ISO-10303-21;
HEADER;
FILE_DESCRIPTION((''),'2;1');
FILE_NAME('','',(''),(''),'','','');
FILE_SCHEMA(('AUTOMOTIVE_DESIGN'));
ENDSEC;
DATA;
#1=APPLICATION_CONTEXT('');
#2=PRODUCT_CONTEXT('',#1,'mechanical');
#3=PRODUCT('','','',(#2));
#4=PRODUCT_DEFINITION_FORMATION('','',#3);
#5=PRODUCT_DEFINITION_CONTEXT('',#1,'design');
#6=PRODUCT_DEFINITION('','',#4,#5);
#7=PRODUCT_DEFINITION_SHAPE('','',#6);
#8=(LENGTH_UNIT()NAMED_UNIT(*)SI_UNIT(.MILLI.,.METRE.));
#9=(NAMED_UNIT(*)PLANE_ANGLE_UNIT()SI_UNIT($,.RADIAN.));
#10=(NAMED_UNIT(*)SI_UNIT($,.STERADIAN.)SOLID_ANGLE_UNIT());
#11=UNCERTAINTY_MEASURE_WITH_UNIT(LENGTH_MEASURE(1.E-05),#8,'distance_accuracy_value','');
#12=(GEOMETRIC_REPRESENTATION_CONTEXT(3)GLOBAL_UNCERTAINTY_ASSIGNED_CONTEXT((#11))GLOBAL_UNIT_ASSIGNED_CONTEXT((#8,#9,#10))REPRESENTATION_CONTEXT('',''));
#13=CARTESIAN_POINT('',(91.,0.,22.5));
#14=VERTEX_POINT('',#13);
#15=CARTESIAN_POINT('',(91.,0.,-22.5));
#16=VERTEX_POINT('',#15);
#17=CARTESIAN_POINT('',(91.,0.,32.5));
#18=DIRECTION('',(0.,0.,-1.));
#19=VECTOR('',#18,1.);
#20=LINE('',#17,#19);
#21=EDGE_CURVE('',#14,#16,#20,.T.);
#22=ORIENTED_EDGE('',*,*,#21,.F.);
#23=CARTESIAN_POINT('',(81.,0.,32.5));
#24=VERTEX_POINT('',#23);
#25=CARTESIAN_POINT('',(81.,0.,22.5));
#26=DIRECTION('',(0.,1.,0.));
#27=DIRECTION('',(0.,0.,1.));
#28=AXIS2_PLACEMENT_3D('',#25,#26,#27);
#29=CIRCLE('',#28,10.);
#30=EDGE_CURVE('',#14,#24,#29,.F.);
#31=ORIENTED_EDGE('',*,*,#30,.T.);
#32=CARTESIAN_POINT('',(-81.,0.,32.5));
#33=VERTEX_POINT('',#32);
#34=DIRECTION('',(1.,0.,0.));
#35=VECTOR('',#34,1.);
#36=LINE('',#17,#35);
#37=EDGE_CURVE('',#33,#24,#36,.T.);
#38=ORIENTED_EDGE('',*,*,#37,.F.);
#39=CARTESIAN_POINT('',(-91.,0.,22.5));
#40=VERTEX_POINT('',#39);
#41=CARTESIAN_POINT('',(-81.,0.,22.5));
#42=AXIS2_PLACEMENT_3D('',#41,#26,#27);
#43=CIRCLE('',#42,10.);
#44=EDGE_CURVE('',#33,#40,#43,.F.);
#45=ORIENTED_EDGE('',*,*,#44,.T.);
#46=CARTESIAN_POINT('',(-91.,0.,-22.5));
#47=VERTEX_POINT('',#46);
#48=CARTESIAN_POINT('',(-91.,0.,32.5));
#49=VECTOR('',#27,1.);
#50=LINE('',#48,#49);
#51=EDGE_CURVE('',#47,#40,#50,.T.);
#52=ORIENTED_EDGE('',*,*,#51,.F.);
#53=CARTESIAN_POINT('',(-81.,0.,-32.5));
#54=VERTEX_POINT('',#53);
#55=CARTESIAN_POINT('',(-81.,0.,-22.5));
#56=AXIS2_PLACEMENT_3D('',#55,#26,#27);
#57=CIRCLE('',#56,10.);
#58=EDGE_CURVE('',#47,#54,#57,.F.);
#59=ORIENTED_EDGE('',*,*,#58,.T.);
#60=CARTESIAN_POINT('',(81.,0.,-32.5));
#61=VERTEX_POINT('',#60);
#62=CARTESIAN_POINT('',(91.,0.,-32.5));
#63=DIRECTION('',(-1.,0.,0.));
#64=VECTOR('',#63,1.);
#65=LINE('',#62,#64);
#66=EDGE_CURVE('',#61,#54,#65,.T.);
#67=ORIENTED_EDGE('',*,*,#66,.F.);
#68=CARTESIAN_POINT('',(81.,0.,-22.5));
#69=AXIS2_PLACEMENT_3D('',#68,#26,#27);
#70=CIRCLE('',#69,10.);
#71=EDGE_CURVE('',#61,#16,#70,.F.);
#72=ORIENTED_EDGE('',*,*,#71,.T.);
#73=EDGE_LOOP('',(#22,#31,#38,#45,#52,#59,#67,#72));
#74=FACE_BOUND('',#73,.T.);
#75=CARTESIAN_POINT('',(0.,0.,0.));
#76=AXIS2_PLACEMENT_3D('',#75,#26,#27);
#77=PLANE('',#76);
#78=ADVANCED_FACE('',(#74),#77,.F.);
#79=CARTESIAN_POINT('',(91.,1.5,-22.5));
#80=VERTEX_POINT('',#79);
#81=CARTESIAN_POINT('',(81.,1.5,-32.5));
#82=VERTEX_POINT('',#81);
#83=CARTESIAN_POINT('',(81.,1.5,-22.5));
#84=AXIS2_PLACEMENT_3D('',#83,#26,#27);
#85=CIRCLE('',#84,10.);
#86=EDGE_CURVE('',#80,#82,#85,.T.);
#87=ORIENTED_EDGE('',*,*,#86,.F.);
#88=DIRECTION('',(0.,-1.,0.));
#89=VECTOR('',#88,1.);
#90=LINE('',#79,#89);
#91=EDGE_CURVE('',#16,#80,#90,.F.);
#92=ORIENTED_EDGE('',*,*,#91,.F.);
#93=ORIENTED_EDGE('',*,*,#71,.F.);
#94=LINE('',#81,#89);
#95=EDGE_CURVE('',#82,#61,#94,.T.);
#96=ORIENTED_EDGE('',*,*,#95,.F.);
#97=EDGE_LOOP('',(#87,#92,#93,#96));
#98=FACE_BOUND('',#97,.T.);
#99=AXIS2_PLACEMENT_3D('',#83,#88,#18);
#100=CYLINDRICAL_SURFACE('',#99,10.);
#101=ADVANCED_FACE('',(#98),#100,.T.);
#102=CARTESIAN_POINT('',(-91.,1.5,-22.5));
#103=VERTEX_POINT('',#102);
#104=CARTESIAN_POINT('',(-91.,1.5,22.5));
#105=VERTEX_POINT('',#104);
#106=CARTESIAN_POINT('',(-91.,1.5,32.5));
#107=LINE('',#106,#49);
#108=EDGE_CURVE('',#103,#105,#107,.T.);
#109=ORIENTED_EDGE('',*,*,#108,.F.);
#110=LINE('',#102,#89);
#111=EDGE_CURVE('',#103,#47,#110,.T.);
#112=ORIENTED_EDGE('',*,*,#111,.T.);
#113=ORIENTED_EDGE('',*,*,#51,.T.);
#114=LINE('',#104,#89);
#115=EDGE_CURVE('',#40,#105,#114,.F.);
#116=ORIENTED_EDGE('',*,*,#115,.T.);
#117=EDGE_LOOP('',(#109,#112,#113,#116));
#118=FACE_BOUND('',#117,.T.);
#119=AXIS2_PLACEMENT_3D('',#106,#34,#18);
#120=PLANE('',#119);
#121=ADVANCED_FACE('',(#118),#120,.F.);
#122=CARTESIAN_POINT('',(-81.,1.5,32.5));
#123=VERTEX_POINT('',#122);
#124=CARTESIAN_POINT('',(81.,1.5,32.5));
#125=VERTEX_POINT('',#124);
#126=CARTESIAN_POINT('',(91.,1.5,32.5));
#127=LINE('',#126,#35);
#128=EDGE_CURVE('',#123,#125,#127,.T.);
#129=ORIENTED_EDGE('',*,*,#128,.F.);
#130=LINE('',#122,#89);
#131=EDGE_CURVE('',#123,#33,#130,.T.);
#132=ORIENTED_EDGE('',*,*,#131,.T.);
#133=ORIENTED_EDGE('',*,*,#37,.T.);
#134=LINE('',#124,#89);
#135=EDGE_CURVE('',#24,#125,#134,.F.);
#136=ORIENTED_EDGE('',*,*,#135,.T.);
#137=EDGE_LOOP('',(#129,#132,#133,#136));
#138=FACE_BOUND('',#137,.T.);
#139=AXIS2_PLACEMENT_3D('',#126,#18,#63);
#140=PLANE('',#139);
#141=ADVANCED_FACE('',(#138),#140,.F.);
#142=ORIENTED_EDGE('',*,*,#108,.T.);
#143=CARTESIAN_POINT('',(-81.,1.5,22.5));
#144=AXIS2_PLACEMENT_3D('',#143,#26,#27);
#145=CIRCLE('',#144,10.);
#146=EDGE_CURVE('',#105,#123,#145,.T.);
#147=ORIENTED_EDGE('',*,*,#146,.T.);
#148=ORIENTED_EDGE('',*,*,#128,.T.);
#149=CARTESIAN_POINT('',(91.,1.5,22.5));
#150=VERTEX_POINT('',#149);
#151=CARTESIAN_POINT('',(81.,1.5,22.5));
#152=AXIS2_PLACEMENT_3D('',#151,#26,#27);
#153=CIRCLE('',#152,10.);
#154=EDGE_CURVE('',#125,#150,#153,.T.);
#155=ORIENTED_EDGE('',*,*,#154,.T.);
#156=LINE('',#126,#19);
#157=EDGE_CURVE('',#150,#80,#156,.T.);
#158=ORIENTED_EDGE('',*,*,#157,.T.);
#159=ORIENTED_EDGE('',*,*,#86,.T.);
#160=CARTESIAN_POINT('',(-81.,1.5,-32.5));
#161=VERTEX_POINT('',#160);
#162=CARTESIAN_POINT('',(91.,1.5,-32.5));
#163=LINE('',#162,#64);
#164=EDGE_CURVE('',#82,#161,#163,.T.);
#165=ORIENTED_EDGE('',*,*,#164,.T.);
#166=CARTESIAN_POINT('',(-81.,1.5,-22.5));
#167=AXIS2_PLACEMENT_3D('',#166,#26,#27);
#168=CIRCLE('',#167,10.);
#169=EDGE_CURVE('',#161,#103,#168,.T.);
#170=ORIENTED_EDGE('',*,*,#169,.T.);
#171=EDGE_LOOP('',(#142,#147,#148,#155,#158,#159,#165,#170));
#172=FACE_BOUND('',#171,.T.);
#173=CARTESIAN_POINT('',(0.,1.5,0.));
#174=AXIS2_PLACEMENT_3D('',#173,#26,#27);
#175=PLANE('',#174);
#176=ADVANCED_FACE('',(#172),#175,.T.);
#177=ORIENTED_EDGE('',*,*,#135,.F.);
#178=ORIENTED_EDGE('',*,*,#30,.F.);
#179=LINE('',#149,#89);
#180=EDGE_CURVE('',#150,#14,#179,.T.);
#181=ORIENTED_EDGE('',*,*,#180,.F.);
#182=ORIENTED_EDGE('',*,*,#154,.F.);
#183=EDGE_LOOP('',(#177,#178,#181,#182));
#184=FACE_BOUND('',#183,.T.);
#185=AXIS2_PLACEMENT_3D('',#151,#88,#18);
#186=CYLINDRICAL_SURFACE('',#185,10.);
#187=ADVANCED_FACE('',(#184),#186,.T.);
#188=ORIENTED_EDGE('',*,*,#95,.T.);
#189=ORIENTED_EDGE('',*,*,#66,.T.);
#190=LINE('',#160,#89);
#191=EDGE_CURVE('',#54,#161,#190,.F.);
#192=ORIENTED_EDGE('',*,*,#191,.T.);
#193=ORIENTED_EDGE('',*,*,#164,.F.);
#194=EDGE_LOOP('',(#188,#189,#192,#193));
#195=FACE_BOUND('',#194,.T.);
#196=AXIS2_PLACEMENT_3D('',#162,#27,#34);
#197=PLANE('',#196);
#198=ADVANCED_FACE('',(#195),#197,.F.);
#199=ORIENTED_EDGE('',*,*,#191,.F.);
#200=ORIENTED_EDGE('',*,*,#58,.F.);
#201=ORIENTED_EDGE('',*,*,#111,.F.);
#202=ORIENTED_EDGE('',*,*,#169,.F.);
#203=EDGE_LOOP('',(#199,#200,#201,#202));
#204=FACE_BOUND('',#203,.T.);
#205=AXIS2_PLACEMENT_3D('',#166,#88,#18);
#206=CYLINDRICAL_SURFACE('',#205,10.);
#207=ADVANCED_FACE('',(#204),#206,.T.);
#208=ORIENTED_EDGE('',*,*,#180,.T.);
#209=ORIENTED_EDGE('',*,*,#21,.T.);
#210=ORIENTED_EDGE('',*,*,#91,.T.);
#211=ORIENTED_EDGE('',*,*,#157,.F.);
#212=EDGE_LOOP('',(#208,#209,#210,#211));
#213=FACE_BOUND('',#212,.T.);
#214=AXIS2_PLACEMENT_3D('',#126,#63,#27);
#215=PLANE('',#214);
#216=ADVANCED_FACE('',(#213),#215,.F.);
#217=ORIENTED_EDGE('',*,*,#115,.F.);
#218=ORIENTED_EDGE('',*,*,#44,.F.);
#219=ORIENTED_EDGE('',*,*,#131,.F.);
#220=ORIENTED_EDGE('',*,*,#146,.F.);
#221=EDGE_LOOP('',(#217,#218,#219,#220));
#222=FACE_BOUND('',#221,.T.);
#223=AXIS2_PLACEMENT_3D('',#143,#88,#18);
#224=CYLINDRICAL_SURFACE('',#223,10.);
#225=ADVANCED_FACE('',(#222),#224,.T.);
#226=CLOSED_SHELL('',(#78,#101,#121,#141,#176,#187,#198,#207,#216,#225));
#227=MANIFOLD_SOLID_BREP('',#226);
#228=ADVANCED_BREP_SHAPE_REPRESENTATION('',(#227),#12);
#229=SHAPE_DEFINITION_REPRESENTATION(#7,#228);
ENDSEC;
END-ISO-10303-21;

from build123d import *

# Parameters (mm, degrees)
SKETCH_1_W      = 182
SKETCH_1_H      = 65
EXTRUDE_1_DEPTH = 1.5
FILLET_1_R      = 10


with BuildPart() as part:
    # 草图1 → 凸台-拉伸1 (new body)
    with BuildSketch(Plane(origin=(0, 0, 0), x_dir=(1, 0, 0), z_dir=(0, 1, 0))):
        Rectangle(SKETCH_1_W, SKETCH_1_H)
    extrude(amount=EXTRUDE_1_DEPTH)

    # 圆角1
    fillet_1_edges = [part.edges().sort_by_distance(p)[0] for p in [
        (-91, 0.75, -32.5),
        (91, 0.75, -32.5),
        (91, 0.75, 32.5),
        (-91, 0.75, 32.5),
    ]]
    fillet(fillet_1_edges, radius=FILLET_1_R)


solid = part.part
